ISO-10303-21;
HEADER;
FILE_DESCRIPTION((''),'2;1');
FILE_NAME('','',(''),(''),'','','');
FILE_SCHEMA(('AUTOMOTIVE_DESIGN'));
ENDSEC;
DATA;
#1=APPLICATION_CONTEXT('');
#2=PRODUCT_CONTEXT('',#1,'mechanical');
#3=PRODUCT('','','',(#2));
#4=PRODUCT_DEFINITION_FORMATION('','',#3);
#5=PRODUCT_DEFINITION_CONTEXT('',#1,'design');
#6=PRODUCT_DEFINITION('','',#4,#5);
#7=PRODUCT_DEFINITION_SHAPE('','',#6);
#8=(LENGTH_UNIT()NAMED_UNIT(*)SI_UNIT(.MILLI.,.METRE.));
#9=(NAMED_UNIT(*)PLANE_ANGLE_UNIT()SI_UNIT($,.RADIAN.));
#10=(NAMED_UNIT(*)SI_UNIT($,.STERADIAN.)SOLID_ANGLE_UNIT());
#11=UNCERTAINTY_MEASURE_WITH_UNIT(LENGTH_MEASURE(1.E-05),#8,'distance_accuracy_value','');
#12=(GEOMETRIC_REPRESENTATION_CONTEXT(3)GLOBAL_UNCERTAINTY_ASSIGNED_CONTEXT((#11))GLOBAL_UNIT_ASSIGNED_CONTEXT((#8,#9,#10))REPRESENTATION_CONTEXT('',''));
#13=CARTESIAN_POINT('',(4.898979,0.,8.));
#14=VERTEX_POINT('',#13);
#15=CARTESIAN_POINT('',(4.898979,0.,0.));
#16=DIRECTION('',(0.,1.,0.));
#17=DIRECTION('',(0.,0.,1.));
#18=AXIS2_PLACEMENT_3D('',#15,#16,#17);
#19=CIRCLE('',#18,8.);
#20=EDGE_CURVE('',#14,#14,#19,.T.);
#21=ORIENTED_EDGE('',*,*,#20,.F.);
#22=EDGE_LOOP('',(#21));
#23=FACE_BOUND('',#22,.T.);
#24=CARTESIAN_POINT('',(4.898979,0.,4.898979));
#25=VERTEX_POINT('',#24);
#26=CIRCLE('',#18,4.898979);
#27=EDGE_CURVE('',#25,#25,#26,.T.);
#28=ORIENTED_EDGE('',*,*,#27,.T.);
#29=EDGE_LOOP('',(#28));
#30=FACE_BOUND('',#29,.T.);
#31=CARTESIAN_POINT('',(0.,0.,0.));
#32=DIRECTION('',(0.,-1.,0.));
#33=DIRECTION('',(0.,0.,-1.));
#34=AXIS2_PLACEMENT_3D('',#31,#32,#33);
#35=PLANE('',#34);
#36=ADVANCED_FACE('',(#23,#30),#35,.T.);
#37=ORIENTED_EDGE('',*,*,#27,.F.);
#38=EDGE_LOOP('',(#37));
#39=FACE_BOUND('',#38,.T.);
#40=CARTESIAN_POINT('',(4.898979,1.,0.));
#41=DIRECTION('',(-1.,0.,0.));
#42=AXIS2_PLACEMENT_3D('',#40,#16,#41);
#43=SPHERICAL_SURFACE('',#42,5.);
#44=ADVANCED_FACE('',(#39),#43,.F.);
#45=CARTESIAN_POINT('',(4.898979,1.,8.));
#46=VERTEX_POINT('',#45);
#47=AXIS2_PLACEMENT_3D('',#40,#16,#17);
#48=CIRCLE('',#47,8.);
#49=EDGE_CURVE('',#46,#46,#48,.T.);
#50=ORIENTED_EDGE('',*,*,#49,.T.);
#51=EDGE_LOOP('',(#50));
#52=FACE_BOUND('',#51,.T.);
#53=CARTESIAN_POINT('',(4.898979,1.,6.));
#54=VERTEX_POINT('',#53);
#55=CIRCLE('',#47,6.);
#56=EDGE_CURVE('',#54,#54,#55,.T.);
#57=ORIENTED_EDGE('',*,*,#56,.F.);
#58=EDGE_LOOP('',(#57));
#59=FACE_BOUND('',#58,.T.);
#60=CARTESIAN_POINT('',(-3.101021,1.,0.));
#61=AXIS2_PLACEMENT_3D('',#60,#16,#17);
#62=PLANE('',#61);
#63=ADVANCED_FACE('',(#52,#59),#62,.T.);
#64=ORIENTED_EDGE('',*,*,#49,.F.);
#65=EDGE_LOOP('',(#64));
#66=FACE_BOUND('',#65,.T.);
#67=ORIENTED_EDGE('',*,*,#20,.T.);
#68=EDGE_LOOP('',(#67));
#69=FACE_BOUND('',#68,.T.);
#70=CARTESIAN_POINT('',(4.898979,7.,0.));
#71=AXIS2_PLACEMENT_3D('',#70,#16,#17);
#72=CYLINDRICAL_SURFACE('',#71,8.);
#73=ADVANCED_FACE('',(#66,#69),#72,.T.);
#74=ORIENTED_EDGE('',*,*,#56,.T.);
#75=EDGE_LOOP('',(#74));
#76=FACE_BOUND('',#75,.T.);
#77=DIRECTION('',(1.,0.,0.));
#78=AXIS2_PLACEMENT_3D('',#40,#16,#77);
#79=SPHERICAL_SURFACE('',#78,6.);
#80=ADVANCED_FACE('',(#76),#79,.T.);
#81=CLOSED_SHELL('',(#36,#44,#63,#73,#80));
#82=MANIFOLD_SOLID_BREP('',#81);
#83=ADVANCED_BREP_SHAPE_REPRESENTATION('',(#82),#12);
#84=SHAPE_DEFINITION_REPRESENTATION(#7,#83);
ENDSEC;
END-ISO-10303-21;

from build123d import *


with BuildPart() as part:
    # Sketch1 → Revolve1 (revolve)
    with BuildSketch(Plane.XY, mode=Mode.PRIVATE) as revolve1_sk:
        with BuildLine():
            Line((0, 0), (-3.101020514, 0))
            Line((-3.101020514, 0), (-3.101020514, 1))
            Line((-3.101020514, 1), (-1.101020514, 1))
            ThreePointArc((-1.101020514, 1), (0.656338798, 5.242640687), (4.898979486, 7))
            Line((4.898979486, 7), (4.898979486, 6))
            ThreePointArc((4.898979486, 6), (1.025996139, 4.16227766), (0, 0))
        make_face()
    revolve(revolve1_sk.sketch.rotate(Axis((4.898979486, 7, 0), (0, -1, 0)), 270), axis=Axis((4.898979486, 7, 0), (0, -1, 0)))


solid = part.part
